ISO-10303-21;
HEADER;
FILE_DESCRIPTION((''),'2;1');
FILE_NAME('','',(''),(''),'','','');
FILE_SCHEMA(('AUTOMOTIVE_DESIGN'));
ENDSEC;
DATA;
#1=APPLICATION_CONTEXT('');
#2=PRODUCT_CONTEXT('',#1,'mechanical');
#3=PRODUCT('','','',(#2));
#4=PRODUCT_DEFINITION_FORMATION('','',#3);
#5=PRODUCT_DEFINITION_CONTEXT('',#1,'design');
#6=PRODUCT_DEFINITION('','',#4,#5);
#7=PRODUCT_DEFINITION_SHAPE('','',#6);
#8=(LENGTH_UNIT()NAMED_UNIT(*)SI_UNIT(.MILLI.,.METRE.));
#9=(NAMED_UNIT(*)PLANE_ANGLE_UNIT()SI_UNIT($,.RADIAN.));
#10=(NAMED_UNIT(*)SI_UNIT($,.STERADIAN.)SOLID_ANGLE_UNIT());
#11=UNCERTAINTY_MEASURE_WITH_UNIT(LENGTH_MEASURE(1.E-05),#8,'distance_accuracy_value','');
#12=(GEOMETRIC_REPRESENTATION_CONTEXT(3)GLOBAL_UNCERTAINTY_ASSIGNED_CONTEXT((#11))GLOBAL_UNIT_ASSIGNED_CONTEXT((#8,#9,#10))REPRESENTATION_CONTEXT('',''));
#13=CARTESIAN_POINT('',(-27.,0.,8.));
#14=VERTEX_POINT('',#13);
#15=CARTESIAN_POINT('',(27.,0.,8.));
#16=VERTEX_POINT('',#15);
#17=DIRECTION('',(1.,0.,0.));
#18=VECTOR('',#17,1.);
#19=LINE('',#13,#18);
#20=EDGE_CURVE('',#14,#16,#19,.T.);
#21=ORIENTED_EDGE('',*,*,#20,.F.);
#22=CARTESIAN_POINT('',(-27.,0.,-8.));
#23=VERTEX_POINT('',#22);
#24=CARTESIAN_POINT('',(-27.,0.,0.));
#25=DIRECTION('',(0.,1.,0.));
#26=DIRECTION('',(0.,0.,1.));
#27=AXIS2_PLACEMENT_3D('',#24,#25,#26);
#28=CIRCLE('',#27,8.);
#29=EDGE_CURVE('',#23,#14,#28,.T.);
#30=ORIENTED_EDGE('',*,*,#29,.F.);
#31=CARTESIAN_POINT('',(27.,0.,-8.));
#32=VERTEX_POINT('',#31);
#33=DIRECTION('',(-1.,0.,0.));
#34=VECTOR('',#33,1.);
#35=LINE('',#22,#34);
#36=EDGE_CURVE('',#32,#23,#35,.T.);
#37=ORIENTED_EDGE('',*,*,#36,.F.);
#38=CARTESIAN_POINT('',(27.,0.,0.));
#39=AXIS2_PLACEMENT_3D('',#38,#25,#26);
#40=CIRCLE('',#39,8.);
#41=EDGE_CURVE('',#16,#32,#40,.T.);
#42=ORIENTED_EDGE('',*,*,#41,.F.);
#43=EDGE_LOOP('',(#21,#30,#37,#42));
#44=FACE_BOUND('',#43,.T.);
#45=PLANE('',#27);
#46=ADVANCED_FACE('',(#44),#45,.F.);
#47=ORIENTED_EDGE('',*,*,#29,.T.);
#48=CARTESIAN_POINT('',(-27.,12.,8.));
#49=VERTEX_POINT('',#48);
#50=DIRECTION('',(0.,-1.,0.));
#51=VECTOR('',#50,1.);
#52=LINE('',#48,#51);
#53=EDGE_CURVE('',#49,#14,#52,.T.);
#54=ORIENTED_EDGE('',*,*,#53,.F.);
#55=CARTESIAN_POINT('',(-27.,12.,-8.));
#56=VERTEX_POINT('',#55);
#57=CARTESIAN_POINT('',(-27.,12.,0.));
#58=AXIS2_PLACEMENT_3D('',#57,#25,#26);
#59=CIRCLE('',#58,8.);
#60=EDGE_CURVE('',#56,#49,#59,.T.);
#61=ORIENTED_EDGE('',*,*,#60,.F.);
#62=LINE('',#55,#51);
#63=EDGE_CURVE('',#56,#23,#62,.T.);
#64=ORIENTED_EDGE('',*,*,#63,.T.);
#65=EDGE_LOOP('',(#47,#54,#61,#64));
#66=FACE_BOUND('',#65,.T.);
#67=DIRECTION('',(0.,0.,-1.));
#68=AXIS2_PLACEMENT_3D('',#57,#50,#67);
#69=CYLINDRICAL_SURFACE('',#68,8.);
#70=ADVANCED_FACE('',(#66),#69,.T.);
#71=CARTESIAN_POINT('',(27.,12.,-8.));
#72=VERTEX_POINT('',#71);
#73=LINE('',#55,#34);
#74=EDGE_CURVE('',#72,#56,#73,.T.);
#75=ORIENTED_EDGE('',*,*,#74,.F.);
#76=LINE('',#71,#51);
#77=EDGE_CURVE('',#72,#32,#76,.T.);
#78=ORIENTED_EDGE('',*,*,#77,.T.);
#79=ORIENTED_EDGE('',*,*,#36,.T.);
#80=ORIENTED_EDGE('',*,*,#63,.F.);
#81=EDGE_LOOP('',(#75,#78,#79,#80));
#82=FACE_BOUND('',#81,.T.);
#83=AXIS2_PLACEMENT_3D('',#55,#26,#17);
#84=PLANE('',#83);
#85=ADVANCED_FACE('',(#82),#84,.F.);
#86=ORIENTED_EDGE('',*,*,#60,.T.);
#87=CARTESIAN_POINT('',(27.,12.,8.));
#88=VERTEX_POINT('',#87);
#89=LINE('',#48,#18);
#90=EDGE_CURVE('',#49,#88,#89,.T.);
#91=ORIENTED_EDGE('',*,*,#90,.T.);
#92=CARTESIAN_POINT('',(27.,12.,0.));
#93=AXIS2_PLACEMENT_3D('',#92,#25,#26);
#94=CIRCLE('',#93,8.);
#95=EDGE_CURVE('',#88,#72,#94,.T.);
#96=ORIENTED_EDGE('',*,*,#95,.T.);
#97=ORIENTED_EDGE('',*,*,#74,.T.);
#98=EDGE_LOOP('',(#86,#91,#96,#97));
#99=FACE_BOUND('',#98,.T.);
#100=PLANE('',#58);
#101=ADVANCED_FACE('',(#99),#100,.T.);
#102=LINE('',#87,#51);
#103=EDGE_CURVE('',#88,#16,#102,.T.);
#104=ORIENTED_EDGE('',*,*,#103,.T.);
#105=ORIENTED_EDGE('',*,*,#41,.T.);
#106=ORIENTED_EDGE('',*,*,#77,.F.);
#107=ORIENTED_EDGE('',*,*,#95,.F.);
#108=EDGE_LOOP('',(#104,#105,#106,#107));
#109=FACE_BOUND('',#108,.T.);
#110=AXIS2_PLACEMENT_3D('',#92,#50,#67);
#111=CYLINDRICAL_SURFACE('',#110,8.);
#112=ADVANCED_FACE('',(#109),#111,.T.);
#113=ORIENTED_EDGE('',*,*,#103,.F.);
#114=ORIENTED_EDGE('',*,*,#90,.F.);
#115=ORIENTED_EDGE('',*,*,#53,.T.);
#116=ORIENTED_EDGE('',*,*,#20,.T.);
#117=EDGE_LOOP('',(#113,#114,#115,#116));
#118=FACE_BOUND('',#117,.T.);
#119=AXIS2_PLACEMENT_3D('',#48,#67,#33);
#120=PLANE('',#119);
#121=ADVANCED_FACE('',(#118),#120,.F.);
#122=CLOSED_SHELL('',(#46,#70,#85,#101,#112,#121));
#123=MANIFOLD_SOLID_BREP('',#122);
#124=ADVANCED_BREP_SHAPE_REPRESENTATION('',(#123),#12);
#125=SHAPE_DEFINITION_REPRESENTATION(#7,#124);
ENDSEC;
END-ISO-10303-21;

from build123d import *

# Parameters (mm, degrees)
BOSS_EXTRUDE1_DEPTH = 12


with BuildPart() as part:
    # Sketch1 → Boss-Extrude1 (new body)
    with BuildSketch(Plane(origin=(0, 0, 0), x_dir=(1, 0, 0), z_dir=(0, 1, 0))):
        with BuildLine():
            Line((-27, 8), (27, 8))
            ThreePointArc((27, 8), (35, 0), (27, -8))
            Line((27, -8), (-27, -8))
            ThreePointArc((-27, -8), (-35, 0), (-27, 8))
        make_face()
    extrude(amount=BOSS_EXTRUDE1_DEPTH)


solid = part.part
